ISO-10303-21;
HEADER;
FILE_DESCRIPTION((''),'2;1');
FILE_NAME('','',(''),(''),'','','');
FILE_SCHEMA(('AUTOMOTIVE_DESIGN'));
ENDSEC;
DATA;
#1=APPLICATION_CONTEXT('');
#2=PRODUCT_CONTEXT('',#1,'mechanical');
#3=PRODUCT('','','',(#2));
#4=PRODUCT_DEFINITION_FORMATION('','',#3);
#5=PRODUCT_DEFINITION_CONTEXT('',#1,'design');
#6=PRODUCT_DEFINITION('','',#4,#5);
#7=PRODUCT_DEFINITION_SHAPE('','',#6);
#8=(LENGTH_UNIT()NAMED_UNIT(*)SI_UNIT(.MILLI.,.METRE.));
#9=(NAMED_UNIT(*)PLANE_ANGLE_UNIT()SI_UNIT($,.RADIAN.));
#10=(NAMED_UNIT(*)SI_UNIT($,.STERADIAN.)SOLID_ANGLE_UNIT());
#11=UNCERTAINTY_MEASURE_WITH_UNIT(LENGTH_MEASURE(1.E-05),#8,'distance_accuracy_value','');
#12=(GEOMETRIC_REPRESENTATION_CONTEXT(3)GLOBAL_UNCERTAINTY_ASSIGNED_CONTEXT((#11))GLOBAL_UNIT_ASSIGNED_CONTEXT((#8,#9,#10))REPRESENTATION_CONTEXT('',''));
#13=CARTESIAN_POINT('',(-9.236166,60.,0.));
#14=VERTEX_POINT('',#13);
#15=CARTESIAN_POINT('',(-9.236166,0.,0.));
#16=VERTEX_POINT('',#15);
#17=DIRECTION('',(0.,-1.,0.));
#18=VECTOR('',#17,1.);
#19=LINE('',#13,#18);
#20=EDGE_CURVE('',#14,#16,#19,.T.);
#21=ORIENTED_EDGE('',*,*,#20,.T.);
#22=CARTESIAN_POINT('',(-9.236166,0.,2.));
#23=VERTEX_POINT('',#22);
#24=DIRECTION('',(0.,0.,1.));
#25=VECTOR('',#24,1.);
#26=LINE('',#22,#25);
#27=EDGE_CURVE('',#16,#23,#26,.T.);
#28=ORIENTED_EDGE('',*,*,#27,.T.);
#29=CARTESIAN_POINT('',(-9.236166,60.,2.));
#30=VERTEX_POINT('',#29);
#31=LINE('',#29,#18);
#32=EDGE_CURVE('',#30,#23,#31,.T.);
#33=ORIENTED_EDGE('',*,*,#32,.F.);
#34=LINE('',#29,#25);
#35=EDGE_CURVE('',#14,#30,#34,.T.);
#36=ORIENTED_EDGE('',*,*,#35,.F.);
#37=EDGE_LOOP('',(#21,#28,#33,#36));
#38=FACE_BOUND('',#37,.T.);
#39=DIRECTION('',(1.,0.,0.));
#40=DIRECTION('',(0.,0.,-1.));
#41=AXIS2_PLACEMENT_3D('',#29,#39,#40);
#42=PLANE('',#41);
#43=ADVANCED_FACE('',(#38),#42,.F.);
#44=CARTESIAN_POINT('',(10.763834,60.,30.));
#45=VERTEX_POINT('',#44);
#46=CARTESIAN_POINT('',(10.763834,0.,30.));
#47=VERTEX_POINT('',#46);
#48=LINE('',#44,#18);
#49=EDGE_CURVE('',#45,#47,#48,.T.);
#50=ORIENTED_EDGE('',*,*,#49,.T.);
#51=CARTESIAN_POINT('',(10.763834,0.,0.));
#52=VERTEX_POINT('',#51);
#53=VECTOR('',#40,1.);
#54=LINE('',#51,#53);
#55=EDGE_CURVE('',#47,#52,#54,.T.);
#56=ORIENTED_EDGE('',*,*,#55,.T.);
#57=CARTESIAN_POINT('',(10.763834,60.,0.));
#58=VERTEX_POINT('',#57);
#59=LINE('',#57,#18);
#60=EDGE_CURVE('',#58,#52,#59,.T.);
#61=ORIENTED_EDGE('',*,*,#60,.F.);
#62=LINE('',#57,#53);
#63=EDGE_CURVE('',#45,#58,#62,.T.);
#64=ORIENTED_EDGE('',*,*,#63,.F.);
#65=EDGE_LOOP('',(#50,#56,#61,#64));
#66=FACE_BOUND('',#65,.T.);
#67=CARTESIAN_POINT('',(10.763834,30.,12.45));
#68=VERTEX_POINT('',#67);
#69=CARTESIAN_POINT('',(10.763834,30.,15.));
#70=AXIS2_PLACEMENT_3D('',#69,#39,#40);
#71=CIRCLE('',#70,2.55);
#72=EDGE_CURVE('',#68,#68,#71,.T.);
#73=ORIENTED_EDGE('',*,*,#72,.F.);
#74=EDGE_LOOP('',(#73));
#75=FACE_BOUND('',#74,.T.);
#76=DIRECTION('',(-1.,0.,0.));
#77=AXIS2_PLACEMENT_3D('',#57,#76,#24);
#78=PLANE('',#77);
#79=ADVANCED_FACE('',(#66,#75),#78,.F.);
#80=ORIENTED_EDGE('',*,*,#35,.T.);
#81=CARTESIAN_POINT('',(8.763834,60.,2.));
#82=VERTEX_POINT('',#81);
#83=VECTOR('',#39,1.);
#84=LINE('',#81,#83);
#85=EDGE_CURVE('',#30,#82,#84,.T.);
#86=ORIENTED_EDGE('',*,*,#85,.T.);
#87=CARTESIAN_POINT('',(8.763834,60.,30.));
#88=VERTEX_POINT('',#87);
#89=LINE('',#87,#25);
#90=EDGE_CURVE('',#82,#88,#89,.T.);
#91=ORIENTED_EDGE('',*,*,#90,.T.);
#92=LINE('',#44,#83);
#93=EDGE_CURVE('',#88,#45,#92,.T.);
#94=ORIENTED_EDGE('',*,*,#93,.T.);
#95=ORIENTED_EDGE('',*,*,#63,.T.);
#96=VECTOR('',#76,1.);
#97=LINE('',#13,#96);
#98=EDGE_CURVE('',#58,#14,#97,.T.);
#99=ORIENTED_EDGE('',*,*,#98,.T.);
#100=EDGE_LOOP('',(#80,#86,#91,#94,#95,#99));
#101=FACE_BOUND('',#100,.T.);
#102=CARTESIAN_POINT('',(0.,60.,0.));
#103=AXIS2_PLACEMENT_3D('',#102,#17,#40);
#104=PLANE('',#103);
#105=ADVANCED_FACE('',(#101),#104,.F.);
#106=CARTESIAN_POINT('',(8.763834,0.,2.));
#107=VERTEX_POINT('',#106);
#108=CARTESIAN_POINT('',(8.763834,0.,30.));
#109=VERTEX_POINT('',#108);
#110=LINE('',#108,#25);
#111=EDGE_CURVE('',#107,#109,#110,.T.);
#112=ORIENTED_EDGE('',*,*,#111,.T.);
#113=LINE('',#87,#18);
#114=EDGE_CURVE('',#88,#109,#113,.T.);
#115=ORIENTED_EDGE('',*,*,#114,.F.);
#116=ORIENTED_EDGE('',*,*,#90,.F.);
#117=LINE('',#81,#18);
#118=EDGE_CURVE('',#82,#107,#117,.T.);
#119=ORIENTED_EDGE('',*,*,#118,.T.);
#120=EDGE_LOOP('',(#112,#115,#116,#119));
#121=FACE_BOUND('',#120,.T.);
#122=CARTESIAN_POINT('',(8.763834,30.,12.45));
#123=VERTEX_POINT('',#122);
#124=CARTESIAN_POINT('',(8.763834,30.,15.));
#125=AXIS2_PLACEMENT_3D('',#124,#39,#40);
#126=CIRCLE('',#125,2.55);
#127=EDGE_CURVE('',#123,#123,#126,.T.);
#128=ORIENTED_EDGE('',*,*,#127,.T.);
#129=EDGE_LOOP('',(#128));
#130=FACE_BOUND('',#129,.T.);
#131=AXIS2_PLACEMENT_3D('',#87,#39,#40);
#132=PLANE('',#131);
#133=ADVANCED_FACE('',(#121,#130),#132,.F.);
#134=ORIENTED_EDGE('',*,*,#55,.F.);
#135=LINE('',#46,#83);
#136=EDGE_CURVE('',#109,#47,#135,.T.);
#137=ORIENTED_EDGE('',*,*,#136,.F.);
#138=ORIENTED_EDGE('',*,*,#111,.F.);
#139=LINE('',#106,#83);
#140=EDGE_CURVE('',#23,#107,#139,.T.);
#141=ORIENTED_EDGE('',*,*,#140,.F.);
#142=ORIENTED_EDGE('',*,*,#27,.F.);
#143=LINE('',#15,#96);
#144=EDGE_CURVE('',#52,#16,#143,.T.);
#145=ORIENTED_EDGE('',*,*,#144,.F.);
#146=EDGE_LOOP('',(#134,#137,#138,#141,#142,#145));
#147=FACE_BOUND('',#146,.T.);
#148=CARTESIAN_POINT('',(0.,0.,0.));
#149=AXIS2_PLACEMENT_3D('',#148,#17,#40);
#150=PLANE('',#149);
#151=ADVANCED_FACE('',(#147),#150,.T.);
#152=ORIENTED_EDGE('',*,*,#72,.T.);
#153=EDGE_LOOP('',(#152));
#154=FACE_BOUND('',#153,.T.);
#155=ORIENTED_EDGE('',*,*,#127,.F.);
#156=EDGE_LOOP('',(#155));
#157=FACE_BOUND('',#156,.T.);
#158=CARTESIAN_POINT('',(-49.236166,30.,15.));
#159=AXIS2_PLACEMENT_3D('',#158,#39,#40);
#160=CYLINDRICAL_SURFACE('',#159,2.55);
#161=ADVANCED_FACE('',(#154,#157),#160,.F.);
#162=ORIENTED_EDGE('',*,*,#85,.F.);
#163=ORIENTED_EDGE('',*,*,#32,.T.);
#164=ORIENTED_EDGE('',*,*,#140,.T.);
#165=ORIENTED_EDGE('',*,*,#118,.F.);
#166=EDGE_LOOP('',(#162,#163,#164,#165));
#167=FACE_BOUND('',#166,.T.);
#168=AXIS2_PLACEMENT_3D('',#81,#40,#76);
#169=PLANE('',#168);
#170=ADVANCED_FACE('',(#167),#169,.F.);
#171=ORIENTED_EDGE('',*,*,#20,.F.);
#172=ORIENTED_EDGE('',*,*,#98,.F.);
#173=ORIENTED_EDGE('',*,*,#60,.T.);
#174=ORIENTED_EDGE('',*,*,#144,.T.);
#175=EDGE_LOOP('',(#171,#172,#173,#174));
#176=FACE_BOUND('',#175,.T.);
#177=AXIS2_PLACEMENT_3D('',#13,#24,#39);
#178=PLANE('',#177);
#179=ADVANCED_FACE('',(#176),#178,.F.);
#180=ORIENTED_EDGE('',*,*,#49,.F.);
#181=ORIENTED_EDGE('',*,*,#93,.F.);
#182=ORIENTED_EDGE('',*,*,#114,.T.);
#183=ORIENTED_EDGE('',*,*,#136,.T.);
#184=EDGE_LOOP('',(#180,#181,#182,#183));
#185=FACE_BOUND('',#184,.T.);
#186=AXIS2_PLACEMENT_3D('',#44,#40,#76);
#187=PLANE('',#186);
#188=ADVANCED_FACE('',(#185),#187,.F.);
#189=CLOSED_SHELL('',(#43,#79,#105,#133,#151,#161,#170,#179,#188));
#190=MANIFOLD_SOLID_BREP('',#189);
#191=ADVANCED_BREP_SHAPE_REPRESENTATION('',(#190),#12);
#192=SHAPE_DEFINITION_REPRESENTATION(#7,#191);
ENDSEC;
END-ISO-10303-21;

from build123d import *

# Parameters (mm, degrees)
BOSS_EXTRUDE1_DEPTH = 60
SKETCH2_R           = 2.55
CUT_EXTRUDE1_DEPTH  = 60


with BuildPart() as part:
    # Sketch1 → Boss-Extrude1 (new body)
    with BuildSketch(Plane(origin=(0, 0, 0), x_dir=(1, 0, 0), z_dir=(0, 1, 0))):
        Polygon((-9.236166208, 0), (10.763833792, 0), (10.763833792, -30), (8.763833792, -30), (8.763833792, -2), (-9.236166208, -2), align=None)
    extrude(amount=BOSS_EXTRUDE1_DEPTH)

    # Sketch2 → Cut-Extrude1 (cut)
    with BuildSketch(Plane(origin=(10.763833792, 0, 0), x_dir=(0, 0, -1), z_dir=(1, 0, 0))):
        with Locations((-15, 30)):
            Circle(SKETCH2_R)
    extrude(amount=-CUT_EXTRUDE1_DEPTH, mode=Mode.SUBTRACT)


solid = part.part
